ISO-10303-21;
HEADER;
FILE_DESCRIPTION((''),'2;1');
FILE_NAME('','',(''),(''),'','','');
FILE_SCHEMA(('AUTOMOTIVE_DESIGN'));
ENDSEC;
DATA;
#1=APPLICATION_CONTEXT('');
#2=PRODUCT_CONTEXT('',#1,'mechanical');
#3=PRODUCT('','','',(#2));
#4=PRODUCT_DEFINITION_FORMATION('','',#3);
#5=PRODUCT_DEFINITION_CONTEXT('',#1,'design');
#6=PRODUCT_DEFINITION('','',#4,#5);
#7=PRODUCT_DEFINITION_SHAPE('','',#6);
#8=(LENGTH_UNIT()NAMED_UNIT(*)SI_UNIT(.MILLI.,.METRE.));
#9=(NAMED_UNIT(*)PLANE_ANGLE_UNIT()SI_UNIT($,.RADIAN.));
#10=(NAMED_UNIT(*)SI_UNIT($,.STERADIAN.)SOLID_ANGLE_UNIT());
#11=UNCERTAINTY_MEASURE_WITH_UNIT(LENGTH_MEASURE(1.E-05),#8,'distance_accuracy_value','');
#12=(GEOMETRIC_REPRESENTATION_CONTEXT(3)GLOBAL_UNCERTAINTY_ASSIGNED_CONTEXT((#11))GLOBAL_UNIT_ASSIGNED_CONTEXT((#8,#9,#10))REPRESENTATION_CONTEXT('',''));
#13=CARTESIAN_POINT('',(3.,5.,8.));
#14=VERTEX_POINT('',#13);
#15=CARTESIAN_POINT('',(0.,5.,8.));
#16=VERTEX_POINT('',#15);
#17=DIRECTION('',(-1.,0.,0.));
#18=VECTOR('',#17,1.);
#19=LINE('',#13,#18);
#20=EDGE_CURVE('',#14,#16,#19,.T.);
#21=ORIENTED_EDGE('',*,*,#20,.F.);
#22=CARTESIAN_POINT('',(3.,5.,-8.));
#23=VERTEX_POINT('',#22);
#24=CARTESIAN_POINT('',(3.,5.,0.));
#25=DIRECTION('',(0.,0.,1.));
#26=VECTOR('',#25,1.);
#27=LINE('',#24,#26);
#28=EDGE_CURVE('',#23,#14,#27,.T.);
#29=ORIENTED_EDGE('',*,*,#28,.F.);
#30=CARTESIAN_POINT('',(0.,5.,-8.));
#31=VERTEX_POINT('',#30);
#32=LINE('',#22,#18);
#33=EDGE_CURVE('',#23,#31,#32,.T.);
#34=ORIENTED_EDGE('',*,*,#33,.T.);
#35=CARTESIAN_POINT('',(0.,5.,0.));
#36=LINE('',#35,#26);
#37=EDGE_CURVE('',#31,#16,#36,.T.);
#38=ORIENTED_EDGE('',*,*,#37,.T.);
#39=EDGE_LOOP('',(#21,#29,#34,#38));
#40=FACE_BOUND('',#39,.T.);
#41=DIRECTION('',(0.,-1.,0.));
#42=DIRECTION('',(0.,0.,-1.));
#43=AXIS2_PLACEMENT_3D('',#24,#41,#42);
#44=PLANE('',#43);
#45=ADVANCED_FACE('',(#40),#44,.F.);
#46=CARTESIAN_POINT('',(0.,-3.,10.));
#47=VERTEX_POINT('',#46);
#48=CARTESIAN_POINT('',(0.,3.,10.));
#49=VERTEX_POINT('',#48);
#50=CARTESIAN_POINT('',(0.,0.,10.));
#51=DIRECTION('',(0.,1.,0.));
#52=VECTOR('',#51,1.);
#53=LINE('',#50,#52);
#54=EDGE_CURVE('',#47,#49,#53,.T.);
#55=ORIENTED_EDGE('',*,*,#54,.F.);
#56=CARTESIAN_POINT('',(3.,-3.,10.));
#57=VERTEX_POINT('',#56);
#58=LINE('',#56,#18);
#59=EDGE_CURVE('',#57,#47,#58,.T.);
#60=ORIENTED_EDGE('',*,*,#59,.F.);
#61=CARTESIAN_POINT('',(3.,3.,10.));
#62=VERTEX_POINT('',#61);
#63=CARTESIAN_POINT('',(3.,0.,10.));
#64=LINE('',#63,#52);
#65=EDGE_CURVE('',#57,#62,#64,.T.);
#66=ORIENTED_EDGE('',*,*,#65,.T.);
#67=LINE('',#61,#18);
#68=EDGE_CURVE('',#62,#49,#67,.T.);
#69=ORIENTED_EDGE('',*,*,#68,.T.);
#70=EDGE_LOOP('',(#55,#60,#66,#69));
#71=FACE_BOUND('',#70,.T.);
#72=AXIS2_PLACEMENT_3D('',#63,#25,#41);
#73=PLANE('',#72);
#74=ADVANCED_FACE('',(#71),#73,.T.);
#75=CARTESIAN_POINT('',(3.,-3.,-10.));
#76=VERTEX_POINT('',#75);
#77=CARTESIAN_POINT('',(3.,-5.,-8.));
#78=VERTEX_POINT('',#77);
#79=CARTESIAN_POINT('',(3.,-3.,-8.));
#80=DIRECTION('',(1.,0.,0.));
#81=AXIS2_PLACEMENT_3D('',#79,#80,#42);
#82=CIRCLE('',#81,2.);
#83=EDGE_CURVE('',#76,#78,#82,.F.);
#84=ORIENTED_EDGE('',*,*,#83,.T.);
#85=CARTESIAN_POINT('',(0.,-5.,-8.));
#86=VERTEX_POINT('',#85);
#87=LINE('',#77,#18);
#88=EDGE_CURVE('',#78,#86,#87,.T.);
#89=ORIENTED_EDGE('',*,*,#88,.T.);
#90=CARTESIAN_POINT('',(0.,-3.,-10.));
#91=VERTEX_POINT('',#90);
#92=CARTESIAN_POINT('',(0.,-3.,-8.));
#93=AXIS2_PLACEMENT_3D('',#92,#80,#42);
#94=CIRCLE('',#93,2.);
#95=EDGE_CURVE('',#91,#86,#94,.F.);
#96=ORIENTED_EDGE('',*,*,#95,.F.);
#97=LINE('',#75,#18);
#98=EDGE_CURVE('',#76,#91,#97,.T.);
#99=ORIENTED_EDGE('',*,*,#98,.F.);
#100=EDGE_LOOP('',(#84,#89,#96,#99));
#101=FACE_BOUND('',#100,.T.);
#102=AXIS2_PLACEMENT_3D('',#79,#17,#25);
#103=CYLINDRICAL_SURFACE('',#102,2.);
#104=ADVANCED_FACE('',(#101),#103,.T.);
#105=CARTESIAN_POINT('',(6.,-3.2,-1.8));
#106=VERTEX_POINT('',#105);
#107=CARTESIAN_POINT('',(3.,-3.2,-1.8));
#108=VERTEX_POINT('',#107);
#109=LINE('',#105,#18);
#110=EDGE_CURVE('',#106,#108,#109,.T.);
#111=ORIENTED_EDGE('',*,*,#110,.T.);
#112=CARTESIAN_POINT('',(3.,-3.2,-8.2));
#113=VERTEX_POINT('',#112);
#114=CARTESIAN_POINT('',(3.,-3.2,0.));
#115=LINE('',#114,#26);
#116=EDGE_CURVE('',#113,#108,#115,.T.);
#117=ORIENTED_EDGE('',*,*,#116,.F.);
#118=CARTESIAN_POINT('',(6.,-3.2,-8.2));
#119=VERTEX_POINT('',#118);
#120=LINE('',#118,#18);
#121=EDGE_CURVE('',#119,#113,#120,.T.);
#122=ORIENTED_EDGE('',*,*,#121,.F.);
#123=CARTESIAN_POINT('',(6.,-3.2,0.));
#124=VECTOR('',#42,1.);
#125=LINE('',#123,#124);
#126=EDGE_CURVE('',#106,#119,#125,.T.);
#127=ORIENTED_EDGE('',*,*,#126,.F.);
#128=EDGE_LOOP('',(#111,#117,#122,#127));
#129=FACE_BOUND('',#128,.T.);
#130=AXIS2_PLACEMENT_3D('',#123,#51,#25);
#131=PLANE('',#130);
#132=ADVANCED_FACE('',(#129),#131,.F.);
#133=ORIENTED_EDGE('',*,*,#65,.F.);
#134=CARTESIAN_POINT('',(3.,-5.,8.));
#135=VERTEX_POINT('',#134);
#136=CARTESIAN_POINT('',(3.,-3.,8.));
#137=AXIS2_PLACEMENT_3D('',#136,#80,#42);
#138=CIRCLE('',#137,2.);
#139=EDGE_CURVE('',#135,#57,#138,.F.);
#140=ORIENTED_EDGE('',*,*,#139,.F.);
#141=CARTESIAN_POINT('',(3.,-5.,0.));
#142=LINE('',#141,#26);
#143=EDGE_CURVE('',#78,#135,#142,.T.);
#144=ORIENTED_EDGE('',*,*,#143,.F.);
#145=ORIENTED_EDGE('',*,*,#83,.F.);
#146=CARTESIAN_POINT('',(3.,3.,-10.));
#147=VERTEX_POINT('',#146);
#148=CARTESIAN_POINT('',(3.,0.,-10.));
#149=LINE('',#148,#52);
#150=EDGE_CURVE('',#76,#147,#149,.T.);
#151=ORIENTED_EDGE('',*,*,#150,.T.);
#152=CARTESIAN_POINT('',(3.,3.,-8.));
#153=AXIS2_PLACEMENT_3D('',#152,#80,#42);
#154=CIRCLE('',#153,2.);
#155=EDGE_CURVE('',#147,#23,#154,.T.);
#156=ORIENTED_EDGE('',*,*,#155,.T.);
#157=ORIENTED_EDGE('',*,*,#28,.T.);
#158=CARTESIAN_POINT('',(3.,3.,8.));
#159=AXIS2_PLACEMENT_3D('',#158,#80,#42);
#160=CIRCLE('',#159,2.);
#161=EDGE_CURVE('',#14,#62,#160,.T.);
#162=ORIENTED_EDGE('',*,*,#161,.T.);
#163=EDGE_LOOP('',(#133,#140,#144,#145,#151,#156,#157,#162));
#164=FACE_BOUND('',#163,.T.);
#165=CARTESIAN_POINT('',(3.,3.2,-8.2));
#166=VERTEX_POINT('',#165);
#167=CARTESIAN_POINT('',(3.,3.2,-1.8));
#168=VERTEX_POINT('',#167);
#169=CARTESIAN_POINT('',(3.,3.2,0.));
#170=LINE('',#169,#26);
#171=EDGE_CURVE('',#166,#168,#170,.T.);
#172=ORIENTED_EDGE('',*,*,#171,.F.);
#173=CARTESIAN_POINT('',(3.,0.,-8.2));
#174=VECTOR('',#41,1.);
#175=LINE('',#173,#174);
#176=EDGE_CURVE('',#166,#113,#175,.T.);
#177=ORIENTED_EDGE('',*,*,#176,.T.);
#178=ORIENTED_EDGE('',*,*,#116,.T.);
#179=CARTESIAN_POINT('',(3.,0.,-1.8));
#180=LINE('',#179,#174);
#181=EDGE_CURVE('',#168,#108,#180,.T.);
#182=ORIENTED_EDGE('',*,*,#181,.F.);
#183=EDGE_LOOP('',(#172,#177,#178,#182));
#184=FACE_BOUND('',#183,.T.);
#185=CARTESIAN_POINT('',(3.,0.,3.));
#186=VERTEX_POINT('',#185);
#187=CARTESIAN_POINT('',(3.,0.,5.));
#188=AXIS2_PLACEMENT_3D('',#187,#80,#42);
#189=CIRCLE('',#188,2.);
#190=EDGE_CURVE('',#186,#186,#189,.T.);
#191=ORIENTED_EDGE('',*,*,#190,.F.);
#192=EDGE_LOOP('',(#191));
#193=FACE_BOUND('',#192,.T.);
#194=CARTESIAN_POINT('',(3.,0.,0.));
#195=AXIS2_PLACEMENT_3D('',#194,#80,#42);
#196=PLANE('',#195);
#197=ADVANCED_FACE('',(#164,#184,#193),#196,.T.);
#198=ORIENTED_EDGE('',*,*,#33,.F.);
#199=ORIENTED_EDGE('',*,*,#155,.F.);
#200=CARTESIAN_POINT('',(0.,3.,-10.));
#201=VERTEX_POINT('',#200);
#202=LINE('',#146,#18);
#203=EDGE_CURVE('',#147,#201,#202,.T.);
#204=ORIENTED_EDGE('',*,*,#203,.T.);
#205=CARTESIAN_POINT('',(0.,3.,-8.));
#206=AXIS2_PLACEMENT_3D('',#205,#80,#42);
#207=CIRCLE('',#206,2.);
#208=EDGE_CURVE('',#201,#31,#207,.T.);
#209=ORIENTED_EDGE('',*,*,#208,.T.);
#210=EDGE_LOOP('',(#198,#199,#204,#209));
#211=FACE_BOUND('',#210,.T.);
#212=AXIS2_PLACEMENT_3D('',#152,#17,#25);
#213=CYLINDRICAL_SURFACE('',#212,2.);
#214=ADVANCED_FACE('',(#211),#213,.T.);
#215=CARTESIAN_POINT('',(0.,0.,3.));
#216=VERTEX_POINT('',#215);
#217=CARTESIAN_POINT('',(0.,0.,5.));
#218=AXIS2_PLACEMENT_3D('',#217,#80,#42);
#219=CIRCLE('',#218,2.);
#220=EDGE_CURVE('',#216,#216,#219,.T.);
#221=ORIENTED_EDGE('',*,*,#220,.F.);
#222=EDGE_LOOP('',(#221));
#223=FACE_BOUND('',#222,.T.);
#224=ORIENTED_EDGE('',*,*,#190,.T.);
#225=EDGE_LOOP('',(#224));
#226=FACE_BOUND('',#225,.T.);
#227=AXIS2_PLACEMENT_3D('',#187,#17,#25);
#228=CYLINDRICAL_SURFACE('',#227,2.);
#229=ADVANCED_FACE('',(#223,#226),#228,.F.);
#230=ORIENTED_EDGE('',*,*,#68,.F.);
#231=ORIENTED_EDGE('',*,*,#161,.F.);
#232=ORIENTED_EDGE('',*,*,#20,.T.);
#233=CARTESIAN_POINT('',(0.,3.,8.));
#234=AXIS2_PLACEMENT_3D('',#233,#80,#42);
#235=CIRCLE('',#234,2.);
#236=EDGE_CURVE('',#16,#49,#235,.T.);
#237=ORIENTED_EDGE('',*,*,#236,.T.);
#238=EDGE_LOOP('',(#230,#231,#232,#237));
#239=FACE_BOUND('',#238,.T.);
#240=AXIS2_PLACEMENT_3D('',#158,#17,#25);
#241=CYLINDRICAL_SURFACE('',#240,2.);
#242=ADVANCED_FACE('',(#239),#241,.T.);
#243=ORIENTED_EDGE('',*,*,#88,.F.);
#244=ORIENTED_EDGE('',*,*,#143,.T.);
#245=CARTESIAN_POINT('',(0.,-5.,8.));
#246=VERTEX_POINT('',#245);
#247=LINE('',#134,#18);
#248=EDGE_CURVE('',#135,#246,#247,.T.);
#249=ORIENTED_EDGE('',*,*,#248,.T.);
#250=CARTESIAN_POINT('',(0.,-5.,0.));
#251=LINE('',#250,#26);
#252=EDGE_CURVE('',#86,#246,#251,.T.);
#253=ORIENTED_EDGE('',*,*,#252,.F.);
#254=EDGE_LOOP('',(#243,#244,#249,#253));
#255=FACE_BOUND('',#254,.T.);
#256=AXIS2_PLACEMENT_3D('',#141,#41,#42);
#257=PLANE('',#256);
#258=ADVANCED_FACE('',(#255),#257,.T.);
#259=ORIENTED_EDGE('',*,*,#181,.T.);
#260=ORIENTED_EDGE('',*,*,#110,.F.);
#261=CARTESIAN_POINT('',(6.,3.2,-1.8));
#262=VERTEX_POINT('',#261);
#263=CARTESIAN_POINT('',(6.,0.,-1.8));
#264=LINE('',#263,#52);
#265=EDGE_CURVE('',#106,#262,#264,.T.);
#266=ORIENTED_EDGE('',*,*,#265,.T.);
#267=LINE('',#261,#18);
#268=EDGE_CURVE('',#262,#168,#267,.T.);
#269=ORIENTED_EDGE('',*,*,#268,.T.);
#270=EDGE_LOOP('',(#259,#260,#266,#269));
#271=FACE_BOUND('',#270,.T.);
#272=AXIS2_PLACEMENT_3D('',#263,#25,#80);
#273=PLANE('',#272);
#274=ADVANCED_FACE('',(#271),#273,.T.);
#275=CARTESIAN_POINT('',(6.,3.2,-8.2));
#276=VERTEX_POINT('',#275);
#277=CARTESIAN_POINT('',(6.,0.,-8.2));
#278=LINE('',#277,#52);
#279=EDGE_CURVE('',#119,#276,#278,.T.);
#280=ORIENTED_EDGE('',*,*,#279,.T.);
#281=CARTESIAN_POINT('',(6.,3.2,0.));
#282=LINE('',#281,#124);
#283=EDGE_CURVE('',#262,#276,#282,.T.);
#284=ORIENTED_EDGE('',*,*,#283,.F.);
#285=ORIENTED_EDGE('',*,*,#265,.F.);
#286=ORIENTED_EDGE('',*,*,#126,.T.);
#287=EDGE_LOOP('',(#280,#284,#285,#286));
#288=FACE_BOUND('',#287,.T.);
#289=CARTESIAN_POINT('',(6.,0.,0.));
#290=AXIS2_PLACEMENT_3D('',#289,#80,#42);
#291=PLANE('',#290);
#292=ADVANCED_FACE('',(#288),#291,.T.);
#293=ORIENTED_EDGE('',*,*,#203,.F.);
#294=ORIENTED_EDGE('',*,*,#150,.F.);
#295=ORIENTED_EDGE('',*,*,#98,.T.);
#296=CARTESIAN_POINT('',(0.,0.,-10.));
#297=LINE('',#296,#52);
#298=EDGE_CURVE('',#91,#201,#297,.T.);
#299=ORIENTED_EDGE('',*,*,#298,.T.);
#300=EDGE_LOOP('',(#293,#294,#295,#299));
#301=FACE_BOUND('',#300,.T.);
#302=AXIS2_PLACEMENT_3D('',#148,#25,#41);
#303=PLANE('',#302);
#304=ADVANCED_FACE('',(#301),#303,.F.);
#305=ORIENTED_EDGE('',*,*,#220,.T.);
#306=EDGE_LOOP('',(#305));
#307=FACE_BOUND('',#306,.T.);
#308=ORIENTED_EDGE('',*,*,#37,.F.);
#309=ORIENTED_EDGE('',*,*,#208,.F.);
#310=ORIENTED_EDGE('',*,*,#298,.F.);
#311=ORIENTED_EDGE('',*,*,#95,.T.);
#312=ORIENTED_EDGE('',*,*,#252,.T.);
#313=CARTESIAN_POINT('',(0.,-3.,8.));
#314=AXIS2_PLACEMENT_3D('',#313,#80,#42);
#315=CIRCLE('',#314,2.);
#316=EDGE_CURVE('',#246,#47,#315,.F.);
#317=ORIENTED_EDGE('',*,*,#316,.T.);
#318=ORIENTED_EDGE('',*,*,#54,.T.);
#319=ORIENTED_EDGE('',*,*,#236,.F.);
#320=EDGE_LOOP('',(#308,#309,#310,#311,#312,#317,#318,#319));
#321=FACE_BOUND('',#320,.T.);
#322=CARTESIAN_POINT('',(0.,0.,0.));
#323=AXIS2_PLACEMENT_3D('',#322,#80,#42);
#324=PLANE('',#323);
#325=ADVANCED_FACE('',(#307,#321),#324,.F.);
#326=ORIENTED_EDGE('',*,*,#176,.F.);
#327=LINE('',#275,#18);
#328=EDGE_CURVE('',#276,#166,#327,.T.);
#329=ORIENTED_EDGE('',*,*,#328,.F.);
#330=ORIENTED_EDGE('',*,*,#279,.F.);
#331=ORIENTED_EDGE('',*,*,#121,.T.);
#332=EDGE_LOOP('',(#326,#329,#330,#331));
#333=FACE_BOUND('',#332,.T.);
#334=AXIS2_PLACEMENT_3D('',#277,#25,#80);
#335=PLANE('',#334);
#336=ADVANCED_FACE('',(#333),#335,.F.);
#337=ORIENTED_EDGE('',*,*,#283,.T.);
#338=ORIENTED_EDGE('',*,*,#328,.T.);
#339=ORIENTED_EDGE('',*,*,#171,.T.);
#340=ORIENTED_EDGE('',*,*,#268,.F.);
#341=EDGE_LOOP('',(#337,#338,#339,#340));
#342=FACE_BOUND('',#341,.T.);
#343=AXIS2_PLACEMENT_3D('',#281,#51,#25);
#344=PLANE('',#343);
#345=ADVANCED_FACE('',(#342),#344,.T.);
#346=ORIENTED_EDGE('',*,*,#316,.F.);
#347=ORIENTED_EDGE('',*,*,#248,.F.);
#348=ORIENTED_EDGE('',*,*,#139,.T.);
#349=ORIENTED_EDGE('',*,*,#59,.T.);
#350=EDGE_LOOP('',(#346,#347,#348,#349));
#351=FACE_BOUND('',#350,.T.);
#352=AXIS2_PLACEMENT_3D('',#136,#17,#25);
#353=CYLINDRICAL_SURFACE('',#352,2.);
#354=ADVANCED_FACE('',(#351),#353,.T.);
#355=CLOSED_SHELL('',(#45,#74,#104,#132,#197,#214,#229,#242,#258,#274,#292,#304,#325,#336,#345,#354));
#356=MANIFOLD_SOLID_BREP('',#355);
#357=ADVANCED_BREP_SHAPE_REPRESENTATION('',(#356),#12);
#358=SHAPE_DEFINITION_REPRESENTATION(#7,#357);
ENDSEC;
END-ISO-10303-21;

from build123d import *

# Parameters (mm, degrees)
SKETCH1_R           = 2
BOSS_EXTRUDE1_DEPTH = 3
SKETCH1_3_W         = 6.4
SKETCH1_3_H         = 6.4
BOSS_EXTRUDE2_DEPTH = 6


with BuildPart() as part:
    # Sketch1 → Boss-Extrude1 (new body)
    with BuildSketch(Plane(origin=(0, 0, 0), x_dir=(0, 0, -1), z_dir=(1, 0, 0))):
        with BuildLine():
            Line((-8, -5), (8, -5))
            ThreePointArc((8, -5), (9.414213562, -4.414213562), (10, -3))
            Line((10, -3), (10, 3))
            ThreePointArc((10, 3), (9.414213562, 4.414213562), (8, 5))
            Line((8, 5), (-8, 5))
            ThreePointArc((-8, 5), (-9.414213562, 4.414213562), (-10, 3))
            Line((-10, 3), (-10, -3))
            ThreePointArc((-10, -3), (-9.414213562, -4.414213562), (-8, -5))
        make_face()
        with Locations((-5, 0)):
            Circle(SKETCH1_R, mode=Mode.SUBTRACT)
    extrude(amount=BOSS_EXTRUDE1_DEPTH)

    # Sketch1<3> → Boss-Extrude2 (add)
    with BuildSketch(Plane(origin=(0, 0, 0), x_dir=(0, 0, -1), z_dir=(1, 0, 0))):
        with Locations((5, 0)):
            Rectangle(SKETCH1_3_W, SKETCH1_3_H)
    extrude(amount=BOSS_EXTRUDE2_DEPTH)


solid = part.part
